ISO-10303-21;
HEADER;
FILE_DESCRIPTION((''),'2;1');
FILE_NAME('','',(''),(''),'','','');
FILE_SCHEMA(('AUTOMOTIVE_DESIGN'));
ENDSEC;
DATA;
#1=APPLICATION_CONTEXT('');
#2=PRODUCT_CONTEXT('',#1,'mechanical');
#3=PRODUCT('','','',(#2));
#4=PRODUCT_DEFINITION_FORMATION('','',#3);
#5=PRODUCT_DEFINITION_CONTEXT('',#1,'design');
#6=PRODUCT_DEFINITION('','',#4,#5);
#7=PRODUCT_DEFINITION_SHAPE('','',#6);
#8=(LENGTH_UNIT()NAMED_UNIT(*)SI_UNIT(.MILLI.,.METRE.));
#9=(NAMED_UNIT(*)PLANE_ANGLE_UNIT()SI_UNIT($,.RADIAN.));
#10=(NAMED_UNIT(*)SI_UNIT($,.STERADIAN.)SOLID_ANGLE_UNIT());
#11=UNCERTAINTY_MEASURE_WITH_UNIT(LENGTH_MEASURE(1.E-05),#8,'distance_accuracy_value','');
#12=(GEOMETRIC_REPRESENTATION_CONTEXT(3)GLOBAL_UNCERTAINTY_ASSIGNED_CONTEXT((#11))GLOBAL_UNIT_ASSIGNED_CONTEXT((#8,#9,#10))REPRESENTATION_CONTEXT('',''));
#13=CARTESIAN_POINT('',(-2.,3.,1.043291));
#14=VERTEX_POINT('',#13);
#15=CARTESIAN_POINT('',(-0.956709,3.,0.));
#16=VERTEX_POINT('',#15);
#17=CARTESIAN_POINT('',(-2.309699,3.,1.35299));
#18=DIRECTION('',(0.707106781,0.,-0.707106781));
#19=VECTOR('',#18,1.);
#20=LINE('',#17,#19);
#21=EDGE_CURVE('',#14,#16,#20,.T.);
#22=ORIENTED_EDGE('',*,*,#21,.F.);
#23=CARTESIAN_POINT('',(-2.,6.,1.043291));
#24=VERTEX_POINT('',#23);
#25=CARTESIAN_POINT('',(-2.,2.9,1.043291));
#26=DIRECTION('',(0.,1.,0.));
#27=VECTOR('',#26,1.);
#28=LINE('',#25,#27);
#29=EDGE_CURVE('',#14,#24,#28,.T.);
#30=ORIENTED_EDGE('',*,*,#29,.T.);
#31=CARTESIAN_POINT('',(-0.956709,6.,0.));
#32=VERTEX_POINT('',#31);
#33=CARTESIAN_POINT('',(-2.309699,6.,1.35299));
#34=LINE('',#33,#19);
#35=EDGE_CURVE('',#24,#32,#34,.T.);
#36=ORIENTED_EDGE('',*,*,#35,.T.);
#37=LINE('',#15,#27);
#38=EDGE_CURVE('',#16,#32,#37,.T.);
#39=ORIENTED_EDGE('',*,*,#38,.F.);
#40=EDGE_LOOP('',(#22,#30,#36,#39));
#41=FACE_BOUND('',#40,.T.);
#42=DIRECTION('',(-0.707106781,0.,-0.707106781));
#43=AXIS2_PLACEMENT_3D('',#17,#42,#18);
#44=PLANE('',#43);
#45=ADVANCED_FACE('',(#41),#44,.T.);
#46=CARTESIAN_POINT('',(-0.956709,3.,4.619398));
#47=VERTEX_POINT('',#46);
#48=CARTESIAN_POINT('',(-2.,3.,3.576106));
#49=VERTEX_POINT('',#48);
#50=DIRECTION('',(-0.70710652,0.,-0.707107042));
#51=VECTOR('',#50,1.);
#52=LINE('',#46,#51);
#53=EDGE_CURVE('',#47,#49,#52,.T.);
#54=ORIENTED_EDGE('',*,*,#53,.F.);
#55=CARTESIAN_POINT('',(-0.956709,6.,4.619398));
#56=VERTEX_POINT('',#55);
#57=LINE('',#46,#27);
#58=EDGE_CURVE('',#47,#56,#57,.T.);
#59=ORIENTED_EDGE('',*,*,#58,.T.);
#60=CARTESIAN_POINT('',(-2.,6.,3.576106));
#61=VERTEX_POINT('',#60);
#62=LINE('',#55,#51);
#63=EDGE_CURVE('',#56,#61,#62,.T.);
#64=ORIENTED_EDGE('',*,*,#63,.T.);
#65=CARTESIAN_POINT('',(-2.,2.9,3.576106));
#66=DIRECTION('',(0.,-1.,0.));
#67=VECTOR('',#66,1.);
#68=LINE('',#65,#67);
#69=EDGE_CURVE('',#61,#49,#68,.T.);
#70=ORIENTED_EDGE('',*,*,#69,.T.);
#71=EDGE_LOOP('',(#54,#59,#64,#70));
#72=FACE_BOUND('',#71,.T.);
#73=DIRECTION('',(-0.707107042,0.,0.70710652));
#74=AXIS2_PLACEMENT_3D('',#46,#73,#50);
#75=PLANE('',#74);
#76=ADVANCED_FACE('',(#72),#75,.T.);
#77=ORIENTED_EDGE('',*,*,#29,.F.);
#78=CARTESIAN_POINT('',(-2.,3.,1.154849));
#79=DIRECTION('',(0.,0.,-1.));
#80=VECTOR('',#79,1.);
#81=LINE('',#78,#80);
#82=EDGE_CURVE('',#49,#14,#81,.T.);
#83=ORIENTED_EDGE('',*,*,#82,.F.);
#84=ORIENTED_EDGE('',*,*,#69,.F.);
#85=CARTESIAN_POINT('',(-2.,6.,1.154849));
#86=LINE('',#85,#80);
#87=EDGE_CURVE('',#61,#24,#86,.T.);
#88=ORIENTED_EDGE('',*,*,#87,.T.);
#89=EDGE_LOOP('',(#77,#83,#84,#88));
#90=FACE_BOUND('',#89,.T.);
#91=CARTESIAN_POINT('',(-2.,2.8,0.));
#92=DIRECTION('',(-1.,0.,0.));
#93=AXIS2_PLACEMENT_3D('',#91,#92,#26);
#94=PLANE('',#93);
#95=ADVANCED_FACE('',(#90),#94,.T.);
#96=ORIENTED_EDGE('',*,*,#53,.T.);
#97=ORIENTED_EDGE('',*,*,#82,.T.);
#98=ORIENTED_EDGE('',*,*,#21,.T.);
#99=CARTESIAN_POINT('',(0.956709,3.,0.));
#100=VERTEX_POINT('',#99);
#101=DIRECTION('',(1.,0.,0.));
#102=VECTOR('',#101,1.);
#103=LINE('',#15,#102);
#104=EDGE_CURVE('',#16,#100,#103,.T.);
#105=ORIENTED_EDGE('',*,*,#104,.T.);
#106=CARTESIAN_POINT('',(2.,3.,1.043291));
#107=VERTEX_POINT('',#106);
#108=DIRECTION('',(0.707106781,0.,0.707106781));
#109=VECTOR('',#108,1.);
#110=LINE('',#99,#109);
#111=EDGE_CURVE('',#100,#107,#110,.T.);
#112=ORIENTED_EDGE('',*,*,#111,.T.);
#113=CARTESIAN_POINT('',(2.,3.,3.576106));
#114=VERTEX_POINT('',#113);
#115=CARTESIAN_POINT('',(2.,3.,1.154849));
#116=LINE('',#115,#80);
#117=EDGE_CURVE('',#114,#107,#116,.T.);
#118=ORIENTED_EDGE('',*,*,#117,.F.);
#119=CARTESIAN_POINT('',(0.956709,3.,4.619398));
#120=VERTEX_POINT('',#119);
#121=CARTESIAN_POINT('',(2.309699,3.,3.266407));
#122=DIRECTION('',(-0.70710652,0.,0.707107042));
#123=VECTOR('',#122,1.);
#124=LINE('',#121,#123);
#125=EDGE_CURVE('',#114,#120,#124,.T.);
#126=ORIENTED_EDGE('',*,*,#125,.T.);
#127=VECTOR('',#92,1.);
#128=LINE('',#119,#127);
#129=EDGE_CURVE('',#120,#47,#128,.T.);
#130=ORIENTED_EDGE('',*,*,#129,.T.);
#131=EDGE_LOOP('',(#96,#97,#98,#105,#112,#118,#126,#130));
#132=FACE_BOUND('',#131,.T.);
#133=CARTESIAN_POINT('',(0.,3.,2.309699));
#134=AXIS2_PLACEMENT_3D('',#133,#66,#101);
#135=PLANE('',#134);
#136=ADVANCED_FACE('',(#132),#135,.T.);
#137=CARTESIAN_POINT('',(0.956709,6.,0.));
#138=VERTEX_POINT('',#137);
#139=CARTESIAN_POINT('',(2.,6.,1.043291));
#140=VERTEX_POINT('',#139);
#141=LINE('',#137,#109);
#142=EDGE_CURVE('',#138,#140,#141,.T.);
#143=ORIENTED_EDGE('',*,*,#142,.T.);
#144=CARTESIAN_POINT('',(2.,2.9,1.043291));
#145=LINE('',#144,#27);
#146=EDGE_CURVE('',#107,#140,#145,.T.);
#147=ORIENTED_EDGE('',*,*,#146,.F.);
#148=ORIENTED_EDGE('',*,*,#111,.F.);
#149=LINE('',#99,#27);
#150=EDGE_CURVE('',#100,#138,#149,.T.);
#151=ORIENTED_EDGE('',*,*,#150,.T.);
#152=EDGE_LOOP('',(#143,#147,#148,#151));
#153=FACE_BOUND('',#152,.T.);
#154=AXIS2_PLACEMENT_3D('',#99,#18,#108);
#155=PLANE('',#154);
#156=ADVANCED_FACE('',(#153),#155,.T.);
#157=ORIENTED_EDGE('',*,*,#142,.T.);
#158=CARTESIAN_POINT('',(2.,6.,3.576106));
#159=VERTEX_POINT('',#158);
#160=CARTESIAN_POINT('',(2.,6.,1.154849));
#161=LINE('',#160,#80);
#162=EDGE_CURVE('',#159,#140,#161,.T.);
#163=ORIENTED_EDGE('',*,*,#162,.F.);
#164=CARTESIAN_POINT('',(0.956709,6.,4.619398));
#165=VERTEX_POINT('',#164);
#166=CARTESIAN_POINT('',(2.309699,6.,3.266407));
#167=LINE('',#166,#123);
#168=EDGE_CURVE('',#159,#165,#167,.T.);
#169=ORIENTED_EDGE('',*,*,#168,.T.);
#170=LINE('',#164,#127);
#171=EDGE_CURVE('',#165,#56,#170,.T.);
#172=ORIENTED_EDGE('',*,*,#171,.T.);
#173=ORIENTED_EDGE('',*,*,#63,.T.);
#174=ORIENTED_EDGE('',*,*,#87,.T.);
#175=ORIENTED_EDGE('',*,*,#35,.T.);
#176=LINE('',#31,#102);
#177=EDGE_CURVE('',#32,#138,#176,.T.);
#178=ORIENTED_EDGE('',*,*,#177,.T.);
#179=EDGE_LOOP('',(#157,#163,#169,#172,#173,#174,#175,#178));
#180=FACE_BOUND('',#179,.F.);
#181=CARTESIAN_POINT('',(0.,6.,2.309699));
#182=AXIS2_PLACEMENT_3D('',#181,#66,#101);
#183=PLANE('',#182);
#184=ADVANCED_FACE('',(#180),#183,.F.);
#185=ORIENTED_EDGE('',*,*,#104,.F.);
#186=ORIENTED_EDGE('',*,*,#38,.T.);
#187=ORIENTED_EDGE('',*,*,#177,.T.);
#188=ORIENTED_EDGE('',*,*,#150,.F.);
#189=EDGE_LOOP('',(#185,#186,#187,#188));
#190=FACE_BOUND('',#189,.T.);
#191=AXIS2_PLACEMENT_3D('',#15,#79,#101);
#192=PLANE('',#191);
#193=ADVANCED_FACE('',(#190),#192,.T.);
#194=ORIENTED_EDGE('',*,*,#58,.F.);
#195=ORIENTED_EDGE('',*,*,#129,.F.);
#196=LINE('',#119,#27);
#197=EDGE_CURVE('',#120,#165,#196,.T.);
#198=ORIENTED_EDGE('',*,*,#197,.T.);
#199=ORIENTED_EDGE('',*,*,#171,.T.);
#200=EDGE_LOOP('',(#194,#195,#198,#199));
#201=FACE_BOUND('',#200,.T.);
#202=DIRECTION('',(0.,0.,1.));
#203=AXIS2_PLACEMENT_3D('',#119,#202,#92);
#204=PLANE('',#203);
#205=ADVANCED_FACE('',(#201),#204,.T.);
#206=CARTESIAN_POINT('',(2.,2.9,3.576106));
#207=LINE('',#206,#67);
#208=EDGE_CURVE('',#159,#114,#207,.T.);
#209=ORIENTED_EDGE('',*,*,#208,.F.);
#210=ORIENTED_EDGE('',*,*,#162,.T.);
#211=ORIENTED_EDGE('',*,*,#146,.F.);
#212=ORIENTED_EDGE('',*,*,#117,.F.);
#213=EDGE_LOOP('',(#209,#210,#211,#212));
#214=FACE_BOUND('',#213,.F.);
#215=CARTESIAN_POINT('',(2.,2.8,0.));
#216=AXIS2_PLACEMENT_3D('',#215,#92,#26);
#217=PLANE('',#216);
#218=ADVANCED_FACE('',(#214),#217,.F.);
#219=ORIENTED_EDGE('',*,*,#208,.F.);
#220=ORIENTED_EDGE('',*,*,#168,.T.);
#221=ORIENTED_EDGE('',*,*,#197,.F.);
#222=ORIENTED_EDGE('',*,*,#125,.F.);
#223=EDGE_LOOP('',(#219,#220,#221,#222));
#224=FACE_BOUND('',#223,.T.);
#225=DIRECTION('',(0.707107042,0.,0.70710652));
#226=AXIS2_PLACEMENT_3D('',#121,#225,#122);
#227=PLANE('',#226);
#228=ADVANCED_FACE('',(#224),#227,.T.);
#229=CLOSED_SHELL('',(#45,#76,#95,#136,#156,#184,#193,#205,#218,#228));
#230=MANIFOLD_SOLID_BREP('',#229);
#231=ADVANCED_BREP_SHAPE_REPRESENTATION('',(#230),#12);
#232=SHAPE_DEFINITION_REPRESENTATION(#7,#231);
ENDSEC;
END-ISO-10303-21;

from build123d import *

# Parameters (mm, degrees)
BOX_W            = 4
BOX_H            = 4
BOX_DEPTH        = 10
EXTRUDE003_DEPTH = 3


with BuildPart() as box:
    # Box → Box (new body)
    with BuildSketch(Plane(origin=(-2, 2.8, 0), x_dir=(1, 0, 0), z_dir=(0, 0, 1))):
        with Locations((2, 2)):
            Rectangle(BOX_W, BOX_H)
    extrude(amount=BOX_DEPTH)


with BuildPart() as common:
    # Sketch002 → Extrude003 (new body)
    with BuildSketch(Plane.XZ):
        Polygon((2.309699, 1.35299), (2.309699, 3.266407), (0.956709, 4.619398), (-0.956709, 4.619398), (-2.309699, 3.266407), (-2.309699, 1.35299), (-0.956709, 0), (0.956709, 0), align=None)
    extrude(amount=-EXTRUDE003_DEPTH)


with BuildPart() as common_1:
    # Extrude003 placement: moved
    add(common.part.moved(Location((0, 3, 0))))

    # Common: intersect Box
    add(box.part, mode=Mode.INTERSECT)


solid = common_1.part
